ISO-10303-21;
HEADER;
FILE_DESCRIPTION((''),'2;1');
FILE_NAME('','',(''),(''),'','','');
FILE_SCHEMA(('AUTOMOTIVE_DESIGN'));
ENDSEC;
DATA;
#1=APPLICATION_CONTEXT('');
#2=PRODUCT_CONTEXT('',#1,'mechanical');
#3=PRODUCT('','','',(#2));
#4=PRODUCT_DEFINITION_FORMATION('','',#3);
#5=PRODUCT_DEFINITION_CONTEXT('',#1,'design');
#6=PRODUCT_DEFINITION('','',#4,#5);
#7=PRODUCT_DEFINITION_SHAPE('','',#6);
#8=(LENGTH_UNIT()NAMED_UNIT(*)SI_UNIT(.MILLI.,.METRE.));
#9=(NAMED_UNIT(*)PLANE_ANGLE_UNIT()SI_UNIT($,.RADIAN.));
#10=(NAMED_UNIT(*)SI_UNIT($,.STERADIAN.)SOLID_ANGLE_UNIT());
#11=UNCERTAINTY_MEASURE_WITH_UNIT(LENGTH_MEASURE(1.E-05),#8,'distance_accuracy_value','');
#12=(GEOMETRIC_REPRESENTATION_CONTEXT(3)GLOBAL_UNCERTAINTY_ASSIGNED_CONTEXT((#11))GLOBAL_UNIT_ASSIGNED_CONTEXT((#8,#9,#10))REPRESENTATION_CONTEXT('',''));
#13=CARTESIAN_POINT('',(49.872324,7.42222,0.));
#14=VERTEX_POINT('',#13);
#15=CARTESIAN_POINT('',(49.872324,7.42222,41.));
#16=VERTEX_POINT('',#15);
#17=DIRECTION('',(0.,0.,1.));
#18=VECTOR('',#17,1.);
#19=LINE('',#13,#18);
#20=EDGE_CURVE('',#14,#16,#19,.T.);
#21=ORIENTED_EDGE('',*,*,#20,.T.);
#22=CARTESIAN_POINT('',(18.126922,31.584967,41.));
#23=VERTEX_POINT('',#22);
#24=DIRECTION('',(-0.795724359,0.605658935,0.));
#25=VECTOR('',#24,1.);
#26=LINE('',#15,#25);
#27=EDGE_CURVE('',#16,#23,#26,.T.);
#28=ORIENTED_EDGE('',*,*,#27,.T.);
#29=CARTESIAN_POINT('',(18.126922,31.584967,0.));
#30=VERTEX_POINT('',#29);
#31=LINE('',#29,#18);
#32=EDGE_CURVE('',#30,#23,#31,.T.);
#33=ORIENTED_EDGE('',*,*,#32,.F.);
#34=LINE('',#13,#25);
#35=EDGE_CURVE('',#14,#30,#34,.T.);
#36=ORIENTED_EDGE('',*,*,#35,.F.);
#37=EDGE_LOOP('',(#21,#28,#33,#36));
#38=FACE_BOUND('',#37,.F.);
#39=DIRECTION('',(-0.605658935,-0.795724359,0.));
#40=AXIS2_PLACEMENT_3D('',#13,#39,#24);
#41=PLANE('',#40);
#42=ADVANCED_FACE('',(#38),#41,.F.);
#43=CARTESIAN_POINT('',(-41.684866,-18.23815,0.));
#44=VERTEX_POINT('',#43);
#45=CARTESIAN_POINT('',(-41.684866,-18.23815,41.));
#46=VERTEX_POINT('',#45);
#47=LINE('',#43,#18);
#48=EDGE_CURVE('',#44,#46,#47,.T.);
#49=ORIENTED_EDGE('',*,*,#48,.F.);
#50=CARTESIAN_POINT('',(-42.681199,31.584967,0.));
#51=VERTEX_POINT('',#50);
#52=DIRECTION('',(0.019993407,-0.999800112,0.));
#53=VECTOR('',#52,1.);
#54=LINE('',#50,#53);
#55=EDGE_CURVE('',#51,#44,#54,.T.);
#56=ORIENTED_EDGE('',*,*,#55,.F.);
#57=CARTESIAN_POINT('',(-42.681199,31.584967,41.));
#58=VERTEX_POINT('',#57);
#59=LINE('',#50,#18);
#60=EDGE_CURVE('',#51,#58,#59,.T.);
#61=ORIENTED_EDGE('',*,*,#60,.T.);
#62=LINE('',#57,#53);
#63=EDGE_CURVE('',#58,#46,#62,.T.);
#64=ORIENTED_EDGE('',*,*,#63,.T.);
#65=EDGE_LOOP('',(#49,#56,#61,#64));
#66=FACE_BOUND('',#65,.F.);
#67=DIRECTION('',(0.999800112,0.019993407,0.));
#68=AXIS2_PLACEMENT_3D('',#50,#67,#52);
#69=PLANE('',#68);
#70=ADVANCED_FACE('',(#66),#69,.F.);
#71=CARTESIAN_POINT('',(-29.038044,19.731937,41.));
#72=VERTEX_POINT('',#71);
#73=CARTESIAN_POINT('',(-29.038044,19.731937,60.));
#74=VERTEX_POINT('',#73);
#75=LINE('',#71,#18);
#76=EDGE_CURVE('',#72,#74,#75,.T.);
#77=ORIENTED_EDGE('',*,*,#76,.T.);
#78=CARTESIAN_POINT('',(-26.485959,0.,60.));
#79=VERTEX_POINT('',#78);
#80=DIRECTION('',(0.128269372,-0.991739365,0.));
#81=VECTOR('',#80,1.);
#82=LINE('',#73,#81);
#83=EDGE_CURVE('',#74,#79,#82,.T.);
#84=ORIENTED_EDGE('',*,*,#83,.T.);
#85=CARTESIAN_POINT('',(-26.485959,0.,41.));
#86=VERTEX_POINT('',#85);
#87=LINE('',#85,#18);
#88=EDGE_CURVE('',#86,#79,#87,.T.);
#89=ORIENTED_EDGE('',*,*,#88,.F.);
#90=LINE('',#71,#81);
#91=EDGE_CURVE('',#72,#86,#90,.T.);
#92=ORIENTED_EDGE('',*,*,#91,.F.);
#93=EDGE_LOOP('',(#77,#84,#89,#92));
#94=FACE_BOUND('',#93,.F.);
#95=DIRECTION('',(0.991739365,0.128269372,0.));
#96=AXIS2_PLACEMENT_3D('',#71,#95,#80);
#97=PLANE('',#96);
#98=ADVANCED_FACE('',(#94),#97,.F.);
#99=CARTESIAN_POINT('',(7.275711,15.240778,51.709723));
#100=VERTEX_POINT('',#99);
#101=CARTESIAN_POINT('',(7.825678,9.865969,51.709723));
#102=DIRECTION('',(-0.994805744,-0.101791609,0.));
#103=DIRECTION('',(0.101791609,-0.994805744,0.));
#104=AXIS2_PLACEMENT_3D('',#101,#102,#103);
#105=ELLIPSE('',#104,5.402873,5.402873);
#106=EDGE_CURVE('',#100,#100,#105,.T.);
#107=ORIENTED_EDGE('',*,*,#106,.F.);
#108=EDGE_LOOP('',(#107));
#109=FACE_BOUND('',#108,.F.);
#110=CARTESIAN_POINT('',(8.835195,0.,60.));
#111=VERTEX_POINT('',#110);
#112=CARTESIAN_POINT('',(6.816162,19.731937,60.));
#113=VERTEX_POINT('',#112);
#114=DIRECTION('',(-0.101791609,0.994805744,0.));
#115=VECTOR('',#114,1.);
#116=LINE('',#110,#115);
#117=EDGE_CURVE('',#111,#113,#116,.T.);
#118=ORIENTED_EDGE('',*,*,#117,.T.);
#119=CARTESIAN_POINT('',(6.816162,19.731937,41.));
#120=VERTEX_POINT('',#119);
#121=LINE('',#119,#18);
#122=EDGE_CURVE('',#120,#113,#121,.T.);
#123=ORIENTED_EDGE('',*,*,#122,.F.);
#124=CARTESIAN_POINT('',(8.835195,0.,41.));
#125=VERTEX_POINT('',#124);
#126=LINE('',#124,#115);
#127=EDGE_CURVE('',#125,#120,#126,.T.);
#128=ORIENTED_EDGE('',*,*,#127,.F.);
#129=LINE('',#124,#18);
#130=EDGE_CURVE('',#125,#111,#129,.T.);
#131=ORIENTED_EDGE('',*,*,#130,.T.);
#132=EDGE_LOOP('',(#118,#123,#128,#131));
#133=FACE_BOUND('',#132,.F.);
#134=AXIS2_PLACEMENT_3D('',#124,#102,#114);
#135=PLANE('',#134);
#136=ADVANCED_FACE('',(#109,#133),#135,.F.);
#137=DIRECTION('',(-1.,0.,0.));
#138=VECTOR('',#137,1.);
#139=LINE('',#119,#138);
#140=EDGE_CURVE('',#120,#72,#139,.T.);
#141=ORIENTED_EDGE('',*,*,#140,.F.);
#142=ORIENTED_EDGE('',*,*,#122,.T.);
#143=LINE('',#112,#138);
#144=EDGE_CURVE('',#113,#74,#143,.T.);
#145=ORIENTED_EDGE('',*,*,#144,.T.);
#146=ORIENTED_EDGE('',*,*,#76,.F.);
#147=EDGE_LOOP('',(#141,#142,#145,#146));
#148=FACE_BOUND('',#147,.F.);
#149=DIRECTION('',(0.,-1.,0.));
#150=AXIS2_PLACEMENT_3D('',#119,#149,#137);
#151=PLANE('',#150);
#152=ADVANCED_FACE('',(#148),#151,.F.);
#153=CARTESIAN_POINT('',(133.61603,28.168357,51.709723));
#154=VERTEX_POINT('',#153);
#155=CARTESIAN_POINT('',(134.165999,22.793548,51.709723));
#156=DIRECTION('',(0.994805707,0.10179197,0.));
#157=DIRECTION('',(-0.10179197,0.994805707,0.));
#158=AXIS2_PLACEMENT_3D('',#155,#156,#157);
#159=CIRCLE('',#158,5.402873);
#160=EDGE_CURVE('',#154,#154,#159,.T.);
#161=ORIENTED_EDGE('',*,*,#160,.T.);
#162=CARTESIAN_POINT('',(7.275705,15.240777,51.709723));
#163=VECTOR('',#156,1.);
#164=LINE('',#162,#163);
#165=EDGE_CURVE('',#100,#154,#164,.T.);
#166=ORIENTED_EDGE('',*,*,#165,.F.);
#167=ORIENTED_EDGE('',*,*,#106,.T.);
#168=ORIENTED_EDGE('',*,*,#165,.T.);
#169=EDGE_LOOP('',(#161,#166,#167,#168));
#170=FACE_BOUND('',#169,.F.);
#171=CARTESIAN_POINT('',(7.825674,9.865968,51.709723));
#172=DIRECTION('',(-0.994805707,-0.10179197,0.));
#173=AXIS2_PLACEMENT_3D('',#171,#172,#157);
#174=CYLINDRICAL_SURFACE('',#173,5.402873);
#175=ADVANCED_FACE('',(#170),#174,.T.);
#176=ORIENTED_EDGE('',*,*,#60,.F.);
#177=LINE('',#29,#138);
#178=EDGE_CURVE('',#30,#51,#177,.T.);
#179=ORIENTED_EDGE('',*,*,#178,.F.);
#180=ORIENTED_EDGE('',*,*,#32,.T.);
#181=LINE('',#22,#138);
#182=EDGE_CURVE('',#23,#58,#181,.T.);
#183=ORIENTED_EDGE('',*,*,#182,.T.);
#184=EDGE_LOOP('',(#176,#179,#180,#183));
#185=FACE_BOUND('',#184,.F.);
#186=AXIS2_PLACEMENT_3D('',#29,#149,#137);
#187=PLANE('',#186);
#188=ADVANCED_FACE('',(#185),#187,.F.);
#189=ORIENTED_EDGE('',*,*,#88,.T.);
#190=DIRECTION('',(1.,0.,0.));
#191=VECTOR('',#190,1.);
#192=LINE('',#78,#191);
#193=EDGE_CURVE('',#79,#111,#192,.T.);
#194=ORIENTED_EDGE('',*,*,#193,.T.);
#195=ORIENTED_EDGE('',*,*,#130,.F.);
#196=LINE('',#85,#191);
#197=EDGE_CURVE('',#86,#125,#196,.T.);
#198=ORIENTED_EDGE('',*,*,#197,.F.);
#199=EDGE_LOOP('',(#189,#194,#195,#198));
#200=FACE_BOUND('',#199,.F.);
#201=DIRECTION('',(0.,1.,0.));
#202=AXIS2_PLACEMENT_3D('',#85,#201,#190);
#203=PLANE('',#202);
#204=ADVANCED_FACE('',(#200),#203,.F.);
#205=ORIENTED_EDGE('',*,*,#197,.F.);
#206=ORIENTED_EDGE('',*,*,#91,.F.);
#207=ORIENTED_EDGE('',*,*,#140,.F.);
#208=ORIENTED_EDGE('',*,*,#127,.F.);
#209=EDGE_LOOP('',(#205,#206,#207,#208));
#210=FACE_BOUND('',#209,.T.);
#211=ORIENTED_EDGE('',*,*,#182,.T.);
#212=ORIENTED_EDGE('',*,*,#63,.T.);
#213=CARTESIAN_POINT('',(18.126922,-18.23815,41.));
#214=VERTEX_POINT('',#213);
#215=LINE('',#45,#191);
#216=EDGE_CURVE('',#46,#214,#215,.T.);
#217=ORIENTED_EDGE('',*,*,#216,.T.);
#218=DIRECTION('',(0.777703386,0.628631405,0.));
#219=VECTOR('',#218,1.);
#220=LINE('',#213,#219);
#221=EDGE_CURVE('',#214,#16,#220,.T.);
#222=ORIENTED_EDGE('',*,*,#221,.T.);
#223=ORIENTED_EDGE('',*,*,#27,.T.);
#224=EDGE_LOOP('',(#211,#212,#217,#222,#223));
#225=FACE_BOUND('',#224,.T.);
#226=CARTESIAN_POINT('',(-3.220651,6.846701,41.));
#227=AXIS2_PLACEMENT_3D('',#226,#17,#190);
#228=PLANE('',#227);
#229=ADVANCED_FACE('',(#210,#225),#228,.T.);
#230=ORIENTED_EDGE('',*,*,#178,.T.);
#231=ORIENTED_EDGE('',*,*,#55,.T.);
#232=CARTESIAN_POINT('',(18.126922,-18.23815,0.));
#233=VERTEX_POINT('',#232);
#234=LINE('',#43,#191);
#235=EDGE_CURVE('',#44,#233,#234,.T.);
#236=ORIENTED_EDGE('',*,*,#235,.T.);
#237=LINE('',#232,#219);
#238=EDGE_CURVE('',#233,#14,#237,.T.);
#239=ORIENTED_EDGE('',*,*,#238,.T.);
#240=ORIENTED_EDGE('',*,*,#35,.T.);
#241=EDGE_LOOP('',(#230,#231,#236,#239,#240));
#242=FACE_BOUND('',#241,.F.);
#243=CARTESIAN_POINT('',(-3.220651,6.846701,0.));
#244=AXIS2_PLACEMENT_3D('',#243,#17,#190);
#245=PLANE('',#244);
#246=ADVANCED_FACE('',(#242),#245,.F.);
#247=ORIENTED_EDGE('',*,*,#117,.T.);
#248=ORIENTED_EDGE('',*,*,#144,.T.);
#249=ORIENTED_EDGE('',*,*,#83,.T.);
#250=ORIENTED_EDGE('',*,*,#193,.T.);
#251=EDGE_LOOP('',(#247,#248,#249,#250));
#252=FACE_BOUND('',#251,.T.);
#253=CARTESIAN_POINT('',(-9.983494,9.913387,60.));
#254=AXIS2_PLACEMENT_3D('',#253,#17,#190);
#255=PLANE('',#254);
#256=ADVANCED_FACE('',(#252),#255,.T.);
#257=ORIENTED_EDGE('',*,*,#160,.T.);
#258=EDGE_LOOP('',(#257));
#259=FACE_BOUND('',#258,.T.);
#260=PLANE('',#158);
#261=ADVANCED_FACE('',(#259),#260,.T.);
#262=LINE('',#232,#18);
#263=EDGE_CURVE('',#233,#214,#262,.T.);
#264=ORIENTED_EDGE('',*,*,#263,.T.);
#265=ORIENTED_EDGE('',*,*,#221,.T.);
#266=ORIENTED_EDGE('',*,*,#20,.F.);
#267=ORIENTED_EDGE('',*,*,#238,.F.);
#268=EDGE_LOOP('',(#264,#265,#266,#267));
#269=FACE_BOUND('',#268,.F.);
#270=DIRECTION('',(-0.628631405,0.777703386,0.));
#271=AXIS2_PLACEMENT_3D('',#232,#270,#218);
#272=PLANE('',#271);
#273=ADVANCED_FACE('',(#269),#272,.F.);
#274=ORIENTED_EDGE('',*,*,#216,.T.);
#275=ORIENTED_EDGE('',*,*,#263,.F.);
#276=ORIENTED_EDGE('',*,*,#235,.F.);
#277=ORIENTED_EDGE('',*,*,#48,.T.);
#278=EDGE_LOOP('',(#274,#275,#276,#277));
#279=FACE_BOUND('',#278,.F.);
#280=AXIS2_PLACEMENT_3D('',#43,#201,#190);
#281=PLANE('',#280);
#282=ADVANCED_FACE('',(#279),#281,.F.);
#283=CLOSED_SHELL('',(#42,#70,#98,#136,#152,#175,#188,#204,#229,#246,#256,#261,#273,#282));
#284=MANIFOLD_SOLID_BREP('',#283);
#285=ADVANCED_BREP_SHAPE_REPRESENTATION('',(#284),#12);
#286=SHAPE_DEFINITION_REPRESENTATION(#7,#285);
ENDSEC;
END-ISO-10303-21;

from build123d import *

# Parameters (mm, degrees)
F1_DEPTH = 41
F3_DEPTH = 19
F4_R     = 5.402873
F5_DEPTH = 127


with BuildPart() as f1:
    # F0 (on Top) → F1 (new body)
    with BuildSketch(Plane.XY):
        Polygon((-42.681199, 31.584967), (-41.684866, -18.23815), (18.126922, -18.23815), (49.872324, 7.42222), (18.126922, 31.584967), align=None)
    extrude(amount=F1_DEPTH)

    # F2 (on face) → F3 (join)
    with BuildSketch(Plane.XY.offset(41)):
        Polygon((6.816162, 19.731937), (-29.038044, 19.731937), (-26.485959, 0), (8.835195, 0), align=None)
    extrude(amount=F3_DEPTH)

    # F4 (on face) → F5 (join)
    with BuildSketch(Plane(origin=(8.743648, 0.894677, 0), x_dir=(-0.101792, 0.994806, 0), z_dir=(0.994806, 0.101792, 0))):
        with Locations((9.018134, 51.709723)):
            Circle(F4_R)
    extrude(amount=F5_DEPTH)


solid = f1.part
